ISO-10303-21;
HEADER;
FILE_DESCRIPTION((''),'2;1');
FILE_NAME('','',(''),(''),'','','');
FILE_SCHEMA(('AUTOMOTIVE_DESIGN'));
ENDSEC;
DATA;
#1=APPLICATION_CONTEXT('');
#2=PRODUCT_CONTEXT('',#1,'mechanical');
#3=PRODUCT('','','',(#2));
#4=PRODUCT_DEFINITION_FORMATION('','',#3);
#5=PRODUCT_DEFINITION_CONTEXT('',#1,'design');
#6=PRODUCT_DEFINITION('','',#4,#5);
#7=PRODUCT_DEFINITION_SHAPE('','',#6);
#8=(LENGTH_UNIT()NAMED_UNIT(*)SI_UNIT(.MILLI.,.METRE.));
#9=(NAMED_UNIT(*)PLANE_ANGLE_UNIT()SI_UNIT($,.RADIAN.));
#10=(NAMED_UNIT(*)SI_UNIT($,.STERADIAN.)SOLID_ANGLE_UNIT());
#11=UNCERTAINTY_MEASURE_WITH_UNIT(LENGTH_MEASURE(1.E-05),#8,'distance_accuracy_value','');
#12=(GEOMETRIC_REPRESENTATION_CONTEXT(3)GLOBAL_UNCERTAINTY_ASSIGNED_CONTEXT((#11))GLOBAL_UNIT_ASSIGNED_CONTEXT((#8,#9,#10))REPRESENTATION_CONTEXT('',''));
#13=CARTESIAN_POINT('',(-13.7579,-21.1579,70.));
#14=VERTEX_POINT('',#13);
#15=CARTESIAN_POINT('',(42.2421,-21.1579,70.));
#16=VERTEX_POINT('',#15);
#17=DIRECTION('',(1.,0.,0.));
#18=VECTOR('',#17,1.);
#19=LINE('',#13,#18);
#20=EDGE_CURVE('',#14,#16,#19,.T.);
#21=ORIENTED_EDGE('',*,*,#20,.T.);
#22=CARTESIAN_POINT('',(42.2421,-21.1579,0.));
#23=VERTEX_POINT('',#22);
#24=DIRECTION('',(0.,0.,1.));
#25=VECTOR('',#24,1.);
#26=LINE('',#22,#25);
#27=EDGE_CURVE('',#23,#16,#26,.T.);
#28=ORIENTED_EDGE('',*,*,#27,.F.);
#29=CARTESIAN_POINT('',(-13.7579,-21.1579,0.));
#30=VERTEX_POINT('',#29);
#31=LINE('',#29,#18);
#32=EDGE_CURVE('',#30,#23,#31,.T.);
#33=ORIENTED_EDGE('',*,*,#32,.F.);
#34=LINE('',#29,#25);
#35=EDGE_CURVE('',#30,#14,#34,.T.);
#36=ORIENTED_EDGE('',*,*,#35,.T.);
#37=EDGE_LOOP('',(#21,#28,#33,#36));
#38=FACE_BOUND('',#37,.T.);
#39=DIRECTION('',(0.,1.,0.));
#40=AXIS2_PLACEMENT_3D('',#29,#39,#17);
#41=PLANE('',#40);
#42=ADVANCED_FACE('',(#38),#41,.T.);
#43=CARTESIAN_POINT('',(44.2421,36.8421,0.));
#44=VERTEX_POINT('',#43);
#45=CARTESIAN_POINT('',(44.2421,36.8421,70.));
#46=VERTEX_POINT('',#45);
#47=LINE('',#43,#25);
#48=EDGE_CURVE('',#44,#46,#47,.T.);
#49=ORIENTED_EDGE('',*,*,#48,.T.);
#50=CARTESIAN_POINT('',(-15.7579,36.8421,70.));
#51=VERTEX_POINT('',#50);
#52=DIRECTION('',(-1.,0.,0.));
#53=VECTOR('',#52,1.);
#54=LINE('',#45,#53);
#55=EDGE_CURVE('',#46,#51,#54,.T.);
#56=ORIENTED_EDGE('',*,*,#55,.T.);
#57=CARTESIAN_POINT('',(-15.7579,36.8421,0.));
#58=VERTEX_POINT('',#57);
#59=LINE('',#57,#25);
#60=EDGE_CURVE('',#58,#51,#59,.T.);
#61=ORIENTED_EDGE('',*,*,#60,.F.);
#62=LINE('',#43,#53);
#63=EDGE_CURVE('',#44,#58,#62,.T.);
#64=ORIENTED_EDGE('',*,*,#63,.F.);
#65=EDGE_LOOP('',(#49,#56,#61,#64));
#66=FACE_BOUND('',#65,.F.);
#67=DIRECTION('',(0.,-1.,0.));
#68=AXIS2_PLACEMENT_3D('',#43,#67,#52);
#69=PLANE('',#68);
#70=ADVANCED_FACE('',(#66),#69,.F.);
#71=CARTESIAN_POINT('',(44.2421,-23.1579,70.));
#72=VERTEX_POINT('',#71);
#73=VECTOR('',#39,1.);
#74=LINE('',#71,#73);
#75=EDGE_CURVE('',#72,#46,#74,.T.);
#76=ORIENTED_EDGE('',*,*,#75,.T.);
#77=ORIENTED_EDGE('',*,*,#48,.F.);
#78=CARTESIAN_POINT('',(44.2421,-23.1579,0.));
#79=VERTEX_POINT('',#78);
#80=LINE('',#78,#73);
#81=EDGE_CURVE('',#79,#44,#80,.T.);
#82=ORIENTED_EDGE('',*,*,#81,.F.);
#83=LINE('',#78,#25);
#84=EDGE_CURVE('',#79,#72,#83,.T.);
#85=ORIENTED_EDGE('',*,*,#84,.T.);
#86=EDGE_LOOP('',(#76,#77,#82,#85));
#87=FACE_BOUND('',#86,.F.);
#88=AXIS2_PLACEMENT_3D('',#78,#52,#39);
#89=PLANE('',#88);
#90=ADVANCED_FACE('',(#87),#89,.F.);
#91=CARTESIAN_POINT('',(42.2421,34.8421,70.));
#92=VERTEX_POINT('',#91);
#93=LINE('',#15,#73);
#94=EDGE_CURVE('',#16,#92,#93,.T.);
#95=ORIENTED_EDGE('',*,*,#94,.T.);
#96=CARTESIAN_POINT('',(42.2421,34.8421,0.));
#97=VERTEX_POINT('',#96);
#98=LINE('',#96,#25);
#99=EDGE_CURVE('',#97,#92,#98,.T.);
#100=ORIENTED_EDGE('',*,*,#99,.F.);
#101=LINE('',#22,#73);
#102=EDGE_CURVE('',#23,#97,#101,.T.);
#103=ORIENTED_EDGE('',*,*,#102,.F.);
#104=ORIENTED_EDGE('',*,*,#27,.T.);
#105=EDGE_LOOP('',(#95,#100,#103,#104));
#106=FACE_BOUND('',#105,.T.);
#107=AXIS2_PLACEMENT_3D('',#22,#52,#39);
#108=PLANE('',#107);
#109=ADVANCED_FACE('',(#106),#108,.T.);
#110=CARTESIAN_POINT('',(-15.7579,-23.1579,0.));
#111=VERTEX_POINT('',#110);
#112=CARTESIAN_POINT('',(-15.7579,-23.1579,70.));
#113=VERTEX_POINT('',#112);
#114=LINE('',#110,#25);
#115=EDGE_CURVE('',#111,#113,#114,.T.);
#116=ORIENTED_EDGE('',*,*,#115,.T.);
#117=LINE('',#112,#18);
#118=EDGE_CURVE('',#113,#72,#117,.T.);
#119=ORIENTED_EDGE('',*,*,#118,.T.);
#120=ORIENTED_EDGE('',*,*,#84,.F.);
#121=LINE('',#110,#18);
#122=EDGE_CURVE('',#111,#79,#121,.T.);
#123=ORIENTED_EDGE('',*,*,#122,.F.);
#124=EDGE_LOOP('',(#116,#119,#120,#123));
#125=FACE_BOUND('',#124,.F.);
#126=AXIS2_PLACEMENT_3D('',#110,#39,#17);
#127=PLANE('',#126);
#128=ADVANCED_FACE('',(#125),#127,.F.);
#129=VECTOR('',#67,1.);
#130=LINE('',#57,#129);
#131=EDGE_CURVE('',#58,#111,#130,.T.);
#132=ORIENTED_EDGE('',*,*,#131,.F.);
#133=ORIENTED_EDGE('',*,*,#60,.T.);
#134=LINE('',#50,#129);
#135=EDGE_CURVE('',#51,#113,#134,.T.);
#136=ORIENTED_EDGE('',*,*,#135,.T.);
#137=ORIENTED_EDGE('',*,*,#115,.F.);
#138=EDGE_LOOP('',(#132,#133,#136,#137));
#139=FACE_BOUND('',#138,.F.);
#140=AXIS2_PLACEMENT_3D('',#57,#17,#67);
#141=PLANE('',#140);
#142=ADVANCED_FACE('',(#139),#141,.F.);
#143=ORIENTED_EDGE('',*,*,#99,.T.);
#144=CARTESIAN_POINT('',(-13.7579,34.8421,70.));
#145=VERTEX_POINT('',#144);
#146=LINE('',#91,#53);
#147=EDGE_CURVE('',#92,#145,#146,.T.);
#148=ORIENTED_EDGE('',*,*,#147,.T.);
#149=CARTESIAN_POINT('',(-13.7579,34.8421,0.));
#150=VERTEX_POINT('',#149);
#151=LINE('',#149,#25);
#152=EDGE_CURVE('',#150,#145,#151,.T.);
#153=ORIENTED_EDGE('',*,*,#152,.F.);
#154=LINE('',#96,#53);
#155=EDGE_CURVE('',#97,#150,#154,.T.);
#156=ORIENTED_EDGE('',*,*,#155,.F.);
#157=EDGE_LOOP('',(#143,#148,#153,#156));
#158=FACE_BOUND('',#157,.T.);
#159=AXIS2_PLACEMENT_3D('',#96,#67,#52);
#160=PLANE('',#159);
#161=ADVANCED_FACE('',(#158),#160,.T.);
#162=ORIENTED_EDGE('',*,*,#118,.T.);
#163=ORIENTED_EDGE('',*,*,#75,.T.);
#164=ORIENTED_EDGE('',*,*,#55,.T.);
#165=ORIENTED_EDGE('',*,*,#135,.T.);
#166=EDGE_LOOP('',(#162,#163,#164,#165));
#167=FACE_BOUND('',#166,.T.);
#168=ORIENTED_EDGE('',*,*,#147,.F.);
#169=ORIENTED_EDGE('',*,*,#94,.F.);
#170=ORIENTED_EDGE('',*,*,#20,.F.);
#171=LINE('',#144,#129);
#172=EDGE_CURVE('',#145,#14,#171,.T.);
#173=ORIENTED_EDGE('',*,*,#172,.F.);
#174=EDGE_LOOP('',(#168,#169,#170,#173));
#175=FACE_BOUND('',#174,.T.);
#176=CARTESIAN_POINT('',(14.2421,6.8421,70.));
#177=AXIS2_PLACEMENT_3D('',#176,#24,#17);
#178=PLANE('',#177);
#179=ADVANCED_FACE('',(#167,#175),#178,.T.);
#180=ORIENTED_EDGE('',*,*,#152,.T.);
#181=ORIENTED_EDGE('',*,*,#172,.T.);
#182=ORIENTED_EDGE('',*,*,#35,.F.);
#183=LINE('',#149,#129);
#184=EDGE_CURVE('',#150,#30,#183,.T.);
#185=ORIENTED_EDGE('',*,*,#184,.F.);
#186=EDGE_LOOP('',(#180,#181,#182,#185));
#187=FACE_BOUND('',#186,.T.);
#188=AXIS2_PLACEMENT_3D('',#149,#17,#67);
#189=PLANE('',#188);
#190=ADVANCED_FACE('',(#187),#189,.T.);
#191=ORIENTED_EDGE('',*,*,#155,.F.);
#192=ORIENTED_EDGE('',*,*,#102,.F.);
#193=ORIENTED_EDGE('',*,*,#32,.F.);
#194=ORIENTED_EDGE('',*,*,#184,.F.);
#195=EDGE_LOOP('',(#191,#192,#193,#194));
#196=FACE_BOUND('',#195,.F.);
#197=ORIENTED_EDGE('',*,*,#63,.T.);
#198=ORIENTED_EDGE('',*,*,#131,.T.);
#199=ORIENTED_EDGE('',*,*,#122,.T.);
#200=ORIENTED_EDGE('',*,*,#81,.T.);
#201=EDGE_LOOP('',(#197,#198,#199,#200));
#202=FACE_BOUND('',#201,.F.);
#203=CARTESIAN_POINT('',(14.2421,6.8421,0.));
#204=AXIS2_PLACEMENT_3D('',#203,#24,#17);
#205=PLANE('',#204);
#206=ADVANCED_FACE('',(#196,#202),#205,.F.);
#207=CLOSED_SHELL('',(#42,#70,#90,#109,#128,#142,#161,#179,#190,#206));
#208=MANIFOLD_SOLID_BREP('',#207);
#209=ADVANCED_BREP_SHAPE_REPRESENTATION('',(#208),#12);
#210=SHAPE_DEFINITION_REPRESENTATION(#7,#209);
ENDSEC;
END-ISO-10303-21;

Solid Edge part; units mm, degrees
sketch "Sketch1" plane through (0, 0, 0) normal (0, 0, 1) x (1, 0, 0)
  line L0 (-13.7579, 34.8421) -> (-13.7579, -21.1579)
  line L1 (-13.7579, -21.1579) -> (42.2421, -21.1579)
  line L2 (42.2421, -21.1579) -> (42.2421, 34.8421)
  line L3 (42.2421, 34.8421) -> (-13.7579, 34.8421)
  line L4 (-15.7579, 36.8421) -> (-15.7579, -23.1579)
  line L5 (-15.7579, -23.1579) -> (44.2421, -23.1579)
  line L6 (44.2421, -23.1579) -> (44.2421, 36.8421)
  line L7 (44.2421, 36.8421) -> (-15.7579, 36.8421)
  dimension "D1" = 60
  dimension "D2" = 60
  dimension "D3" = 2
  dimension "D4" = 2
  dimension "D5" = 2
  dimension "D6" = 2
extrude "Protrusion1" add sketch "Sketch1" along normal blind 70
